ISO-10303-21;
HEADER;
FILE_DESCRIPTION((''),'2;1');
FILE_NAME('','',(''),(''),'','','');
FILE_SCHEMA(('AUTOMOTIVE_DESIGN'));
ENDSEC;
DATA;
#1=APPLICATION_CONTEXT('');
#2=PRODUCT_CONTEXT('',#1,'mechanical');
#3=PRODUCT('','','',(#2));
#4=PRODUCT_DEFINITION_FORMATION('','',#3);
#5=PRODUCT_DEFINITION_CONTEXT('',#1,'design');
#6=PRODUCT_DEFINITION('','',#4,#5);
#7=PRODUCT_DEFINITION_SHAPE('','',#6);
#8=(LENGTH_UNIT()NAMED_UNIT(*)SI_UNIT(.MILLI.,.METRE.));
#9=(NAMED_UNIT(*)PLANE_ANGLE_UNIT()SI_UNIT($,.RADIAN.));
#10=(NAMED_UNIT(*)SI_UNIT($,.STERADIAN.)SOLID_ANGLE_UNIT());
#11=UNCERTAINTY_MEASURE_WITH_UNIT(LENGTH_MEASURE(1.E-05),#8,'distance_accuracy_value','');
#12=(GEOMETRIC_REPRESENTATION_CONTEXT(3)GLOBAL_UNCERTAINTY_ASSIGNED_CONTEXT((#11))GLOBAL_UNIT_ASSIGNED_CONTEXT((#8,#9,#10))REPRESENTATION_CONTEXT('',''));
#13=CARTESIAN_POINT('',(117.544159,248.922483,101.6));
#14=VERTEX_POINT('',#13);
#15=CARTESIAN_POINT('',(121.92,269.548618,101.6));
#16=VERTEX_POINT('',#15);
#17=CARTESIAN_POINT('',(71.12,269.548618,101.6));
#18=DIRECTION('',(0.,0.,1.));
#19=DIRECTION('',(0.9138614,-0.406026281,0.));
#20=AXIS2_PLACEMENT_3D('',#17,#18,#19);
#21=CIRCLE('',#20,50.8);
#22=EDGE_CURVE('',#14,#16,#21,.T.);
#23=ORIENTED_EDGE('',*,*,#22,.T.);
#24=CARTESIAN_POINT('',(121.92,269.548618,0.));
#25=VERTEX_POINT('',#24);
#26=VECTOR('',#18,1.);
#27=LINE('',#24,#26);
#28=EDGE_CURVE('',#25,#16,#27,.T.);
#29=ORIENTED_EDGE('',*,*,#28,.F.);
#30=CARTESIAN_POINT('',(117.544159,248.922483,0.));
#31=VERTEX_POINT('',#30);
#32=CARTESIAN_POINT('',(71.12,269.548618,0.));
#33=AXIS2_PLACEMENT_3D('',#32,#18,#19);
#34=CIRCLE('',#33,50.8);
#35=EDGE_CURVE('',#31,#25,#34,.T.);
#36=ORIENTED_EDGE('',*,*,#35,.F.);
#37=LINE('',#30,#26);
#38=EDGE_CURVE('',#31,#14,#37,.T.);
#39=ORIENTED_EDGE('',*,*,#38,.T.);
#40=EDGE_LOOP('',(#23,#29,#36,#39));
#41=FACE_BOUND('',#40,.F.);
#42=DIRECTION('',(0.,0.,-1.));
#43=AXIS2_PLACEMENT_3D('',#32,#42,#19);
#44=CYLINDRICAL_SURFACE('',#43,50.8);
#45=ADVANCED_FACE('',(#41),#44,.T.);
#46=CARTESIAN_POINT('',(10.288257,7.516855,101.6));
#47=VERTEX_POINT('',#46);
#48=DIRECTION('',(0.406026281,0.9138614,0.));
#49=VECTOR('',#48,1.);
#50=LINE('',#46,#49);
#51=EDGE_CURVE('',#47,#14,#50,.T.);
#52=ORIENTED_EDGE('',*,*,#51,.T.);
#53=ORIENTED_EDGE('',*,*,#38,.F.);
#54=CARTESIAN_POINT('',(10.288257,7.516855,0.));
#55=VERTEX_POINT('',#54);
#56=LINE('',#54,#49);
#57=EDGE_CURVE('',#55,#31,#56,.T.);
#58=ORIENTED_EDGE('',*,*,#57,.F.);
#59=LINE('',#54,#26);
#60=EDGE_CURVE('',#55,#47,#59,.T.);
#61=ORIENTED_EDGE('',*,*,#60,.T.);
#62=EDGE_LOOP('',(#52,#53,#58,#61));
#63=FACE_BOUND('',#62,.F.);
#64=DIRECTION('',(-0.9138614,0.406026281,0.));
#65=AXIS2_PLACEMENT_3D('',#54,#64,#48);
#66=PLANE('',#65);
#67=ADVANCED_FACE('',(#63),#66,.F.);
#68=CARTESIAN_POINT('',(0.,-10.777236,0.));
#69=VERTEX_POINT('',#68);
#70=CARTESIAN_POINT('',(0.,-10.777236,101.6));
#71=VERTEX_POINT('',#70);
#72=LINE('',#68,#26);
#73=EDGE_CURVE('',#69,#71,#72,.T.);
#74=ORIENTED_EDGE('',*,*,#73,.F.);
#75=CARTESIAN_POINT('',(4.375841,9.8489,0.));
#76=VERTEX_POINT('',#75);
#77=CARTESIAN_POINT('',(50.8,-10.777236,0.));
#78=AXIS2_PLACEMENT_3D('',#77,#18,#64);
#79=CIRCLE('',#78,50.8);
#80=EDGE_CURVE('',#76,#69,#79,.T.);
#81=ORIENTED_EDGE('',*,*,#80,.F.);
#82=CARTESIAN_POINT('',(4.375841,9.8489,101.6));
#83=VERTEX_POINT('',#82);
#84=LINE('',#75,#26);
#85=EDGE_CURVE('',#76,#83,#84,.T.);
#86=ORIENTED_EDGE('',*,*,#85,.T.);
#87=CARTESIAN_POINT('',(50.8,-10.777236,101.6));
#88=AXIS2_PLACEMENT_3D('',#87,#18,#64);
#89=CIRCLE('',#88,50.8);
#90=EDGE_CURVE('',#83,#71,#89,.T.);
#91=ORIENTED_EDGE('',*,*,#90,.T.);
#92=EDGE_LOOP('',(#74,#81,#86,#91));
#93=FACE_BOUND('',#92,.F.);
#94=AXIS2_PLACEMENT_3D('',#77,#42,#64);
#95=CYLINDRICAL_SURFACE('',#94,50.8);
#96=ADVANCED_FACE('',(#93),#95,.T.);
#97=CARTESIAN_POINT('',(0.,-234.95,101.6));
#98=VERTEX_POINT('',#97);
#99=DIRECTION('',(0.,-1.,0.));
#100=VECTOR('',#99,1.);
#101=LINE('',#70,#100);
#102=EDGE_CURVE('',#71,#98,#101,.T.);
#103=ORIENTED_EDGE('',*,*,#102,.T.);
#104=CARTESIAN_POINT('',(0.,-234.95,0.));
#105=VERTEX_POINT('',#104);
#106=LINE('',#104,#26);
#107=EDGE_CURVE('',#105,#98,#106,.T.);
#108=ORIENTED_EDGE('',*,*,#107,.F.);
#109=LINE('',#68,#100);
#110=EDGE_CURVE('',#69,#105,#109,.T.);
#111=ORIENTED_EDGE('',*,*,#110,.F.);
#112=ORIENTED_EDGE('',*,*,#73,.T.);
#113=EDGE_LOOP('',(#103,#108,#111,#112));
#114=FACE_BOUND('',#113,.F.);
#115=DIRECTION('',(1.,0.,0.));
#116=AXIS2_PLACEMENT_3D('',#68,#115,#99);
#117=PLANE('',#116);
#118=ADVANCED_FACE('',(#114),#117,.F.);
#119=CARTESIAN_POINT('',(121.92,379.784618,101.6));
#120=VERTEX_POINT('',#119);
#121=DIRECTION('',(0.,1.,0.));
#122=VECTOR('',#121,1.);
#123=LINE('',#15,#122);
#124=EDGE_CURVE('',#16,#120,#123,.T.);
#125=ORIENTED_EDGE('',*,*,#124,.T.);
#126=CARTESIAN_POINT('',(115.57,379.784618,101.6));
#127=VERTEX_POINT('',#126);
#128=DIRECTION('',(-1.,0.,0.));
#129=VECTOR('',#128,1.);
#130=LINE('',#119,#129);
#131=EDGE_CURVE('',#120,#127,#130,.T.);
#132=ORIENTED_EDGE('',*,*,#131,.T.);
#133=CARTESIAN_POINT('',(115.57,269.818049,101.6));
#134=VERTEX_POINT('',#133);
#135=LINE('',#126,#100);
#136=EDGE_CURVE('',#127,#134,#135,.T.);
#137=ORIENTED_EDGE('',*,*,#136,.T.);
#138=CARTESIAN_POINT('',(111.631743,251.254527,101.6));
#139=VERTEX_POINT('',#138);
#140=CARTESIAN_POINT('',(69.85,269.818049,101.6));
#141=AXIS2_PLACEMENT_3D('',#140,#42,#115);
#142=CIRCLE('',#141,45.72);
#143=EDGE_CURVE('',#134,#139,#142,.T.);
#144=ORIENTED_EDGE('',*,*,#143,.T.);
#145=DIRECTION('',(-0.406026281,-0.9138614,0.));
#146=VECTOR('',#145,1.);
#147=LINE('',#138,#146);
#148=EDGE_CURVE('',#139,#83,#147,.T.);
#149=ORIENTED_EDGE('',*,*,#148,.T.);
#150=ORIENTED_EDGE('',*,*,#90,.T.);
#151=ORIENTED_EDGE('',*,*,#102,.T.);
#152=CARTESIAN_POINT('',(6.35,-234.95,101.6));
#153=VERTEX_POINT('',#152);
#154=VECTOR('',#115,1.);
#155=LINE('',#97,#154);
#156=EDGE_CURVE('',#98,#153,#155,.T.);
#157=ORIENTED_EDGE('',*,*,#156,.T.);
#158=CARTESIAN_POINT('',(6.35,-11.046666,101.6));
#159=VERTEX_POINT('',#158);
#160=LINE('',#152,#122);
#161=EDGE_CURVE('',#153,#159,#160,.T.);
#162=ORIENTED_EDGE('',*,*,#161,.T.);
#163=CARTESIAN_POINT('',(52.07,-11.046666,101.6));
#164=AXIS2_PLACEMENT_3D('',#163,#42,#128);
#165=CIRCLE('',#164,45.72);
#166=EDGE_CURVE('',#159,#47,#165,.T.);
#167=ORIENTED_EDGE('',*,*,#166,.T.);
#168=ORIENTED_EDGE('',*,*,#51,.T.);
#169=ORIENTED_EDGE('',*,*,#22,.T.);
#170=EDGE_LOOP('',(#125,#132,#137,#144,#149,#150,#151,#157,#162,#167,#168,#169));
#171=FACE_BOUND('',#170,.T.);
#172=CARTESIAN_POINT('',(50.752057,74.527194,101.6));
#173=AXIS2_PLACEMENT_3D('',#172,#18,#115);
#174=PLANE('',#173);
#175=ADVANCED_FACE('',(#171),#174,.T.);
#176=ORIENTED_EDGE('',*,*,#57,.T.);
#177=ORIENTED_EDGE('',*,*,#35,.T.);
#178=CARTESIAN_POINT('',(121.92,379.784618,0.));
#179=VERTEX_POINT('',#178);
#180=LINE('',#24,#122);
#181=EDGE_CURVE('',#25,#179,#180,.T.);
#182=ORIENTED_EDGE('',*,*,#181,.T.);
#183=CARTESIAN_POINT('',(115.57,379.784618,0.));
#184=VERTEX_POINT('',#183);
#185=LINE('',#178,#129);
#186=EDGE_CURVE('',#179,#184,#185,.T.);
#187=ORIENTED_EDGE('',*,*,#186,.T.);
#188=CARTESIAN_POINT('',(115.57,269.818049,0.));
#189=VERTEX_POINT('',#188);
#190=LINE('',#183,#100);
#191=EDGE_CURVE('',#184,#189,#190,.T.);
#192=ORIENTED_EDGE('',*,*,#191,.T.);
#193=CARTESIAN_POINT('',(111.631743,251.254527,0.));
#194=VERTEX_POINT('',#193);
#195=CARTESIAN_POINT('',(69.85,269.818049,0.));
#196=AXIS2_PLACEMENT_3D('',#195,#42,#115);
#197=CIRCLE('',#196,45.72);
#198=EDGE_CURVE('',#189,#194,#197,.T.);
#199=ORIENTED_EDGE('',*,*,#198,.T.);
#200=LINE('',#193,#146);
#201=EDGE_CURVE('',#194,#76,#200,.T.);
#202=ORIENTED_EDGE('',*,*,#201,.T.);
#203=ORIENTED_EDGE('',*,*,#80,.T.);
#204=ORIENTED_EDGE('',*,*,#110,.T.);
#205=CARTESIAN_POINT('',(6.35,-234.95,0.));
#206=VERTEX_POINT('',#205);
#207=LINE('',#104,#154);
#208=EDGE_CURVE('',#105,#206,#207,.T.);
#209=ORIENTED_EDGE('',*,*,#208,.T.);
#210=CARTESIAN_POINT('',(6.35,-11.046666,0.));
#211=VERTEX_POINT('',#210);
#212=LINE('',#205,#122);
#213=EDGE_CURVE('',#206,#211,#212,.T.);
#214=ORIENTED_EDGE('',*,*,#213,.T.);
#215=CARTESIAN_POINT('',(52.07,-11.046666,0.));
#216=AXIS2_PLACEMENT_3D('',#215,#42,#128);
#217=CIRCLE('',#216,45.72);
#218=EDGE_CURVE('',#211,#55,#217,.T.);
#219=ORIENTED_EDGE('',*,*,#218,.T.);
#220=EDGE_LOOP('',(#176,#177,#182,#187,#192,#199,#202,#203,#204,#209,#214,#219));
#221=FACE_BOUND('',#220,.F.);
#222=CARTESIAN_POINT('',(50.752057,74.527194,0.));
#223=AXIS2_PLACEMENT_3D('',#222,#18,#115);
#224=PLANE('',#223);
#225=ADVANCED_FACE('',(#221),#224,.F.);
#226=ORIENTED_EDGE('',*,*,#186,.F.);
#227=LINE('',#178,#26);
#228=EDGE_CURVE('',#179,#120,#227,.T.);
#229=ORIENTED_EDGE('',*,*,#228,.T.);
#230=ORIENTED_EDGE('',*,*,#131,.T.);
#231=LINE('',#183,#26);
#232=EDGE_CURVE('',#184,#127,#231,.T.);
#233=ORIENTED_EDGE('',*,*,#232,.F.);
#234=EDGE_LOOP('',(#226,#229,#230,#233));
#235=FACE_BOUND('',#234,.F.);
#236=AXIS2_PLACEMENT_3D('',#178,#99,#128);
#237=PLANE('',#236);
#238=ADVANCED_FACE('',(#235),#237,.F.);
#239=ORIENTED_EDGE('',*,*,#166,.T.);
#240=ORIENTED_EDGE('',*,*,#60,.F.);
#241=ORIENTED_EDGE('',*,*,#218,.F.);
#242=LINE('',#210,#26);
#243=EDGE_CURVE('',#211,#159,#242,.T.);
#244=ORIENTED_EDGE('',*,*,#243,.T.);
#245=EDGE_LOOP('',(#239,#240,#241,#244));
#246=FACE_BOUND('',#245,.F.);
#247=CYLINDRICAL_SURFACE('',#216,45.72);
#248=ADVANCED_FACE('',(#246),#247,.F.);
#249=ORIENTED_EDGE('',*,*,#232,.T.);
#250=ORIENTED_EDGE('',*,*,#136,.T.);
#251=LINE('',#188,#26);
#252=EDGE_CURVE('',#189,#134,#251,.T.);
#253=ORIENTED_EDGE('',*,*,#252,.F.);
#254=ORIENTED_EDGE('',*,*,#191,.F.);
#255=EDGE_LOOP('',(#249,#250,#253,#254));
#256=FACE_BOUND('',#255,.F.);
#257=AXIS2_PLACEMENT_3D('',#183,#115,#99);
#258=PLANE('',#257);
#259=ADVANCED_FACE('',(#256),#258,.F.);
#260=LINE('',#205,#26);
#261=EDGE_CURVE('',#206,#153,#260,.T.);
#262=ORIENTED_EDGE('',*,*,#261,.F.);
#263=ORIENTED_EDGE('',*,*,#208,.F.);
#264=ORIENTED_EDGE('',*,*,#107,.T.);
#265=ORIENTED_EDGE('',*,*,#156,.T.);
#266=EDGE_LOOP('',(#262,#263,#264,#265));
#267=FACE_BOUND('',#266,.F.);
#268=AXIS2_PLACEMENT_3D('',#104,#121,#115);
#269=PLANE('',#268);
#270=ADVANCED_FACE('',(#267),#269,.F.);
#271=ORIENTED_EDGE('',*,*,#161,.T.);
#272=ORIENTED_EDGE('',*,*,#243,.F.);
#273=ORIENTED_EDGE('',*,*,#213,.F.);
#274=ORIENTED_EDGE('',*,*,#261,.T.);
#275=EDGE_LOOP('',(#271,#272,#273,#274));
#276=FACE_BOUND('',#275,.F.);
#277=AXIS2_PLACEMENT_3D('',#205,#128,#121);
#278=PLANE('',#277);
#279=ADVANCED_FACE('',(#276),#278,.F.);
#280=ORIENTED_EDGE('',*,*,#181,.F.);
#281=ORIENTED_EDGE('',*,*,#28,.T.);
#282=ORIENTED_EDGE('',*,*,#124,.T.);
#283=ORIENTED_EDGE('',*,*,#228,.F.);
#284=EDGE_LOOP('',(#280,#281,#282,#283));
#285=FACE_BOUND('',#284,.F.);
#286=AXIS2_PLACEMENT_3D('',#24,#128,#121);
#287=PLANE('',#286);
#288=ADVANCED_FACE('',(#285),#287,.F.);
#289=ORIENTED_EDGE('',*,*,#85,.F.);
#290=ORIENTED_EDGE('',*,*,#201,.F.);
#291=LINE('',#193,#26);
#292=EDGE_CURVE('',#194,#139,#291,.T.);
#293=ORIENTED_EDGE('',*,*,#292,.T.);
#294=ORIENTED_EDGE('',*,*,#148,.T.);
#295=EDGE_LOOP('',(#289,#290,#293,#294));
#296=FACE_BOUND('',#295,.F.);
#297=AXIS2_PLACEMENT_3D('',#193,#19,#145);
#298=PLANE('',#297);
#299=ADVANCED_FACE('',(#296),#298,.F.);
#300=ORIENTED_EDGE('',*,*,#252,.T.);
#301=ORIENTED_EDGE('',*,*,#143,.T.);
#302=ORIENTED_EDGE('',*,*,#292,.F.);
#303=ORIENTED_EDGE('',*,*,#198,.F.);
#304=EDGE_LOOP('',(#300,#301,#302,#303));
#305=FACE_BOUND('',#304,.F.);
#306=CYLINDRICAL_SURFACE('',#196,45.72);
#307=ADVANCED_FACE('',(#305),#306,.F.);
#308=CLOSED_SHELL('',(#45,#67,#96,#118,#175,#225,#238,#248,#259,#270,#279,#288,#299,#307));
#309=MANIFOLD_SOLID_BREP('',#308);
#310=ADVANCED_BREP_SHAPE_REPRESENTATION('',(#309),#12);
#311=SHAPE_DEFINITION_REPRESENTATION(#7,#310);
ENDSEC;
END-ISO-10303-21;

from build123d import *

# Parameters (mm, degrees)
BOSS_EXTRUDE1_DEPTH = 101.6


with BuildPart() as part:
    # Sketch1 → Boss-Extrude1 (new body)
    with BuildSketch(Plane.XY):
        with BuildLine():
            Line((0, -10.777235523), (0, -234.95))
            Line((0, -234.95), (6.35, -234.95))
            Line((6.35, -234.95), (6.35, -11.046666411))
            ThreePointArc((6.35, -11.046666411), (7.345399944, -1.558328843), (10.288256772, 7.516855153))
            Line((10.288256772, 7.516855153), (117.544159142, 248.92248269))
            ThreePointArc((117.544159142, 248.92248269), (120.814000062, 259.006020463), (121.92, 269.548617762))
            Line((121.92, 269.548617762), (121.92, 379.784617762))
            Line((121.92, 379.784617762), (115.57, 379.784617762))
            Line((115.57, 379.784617762), (115.57, 269.81804865))
            ThreePointArc((115.57, 269.81804865), (114.574600056, 260.329711081), (111.631743228, 251.254527086))
            Line((111.631743228, 251.254527086), (4.375840858, 9.848899548))
            ThreePointArc((4.375840858, 9.848899548), (1.105999938, -0.234638225), (0, -10.777235523))
        make_face()
    extrude(amount=BOSS_EXTRUDE1_DEPTH)


solid = part.part
